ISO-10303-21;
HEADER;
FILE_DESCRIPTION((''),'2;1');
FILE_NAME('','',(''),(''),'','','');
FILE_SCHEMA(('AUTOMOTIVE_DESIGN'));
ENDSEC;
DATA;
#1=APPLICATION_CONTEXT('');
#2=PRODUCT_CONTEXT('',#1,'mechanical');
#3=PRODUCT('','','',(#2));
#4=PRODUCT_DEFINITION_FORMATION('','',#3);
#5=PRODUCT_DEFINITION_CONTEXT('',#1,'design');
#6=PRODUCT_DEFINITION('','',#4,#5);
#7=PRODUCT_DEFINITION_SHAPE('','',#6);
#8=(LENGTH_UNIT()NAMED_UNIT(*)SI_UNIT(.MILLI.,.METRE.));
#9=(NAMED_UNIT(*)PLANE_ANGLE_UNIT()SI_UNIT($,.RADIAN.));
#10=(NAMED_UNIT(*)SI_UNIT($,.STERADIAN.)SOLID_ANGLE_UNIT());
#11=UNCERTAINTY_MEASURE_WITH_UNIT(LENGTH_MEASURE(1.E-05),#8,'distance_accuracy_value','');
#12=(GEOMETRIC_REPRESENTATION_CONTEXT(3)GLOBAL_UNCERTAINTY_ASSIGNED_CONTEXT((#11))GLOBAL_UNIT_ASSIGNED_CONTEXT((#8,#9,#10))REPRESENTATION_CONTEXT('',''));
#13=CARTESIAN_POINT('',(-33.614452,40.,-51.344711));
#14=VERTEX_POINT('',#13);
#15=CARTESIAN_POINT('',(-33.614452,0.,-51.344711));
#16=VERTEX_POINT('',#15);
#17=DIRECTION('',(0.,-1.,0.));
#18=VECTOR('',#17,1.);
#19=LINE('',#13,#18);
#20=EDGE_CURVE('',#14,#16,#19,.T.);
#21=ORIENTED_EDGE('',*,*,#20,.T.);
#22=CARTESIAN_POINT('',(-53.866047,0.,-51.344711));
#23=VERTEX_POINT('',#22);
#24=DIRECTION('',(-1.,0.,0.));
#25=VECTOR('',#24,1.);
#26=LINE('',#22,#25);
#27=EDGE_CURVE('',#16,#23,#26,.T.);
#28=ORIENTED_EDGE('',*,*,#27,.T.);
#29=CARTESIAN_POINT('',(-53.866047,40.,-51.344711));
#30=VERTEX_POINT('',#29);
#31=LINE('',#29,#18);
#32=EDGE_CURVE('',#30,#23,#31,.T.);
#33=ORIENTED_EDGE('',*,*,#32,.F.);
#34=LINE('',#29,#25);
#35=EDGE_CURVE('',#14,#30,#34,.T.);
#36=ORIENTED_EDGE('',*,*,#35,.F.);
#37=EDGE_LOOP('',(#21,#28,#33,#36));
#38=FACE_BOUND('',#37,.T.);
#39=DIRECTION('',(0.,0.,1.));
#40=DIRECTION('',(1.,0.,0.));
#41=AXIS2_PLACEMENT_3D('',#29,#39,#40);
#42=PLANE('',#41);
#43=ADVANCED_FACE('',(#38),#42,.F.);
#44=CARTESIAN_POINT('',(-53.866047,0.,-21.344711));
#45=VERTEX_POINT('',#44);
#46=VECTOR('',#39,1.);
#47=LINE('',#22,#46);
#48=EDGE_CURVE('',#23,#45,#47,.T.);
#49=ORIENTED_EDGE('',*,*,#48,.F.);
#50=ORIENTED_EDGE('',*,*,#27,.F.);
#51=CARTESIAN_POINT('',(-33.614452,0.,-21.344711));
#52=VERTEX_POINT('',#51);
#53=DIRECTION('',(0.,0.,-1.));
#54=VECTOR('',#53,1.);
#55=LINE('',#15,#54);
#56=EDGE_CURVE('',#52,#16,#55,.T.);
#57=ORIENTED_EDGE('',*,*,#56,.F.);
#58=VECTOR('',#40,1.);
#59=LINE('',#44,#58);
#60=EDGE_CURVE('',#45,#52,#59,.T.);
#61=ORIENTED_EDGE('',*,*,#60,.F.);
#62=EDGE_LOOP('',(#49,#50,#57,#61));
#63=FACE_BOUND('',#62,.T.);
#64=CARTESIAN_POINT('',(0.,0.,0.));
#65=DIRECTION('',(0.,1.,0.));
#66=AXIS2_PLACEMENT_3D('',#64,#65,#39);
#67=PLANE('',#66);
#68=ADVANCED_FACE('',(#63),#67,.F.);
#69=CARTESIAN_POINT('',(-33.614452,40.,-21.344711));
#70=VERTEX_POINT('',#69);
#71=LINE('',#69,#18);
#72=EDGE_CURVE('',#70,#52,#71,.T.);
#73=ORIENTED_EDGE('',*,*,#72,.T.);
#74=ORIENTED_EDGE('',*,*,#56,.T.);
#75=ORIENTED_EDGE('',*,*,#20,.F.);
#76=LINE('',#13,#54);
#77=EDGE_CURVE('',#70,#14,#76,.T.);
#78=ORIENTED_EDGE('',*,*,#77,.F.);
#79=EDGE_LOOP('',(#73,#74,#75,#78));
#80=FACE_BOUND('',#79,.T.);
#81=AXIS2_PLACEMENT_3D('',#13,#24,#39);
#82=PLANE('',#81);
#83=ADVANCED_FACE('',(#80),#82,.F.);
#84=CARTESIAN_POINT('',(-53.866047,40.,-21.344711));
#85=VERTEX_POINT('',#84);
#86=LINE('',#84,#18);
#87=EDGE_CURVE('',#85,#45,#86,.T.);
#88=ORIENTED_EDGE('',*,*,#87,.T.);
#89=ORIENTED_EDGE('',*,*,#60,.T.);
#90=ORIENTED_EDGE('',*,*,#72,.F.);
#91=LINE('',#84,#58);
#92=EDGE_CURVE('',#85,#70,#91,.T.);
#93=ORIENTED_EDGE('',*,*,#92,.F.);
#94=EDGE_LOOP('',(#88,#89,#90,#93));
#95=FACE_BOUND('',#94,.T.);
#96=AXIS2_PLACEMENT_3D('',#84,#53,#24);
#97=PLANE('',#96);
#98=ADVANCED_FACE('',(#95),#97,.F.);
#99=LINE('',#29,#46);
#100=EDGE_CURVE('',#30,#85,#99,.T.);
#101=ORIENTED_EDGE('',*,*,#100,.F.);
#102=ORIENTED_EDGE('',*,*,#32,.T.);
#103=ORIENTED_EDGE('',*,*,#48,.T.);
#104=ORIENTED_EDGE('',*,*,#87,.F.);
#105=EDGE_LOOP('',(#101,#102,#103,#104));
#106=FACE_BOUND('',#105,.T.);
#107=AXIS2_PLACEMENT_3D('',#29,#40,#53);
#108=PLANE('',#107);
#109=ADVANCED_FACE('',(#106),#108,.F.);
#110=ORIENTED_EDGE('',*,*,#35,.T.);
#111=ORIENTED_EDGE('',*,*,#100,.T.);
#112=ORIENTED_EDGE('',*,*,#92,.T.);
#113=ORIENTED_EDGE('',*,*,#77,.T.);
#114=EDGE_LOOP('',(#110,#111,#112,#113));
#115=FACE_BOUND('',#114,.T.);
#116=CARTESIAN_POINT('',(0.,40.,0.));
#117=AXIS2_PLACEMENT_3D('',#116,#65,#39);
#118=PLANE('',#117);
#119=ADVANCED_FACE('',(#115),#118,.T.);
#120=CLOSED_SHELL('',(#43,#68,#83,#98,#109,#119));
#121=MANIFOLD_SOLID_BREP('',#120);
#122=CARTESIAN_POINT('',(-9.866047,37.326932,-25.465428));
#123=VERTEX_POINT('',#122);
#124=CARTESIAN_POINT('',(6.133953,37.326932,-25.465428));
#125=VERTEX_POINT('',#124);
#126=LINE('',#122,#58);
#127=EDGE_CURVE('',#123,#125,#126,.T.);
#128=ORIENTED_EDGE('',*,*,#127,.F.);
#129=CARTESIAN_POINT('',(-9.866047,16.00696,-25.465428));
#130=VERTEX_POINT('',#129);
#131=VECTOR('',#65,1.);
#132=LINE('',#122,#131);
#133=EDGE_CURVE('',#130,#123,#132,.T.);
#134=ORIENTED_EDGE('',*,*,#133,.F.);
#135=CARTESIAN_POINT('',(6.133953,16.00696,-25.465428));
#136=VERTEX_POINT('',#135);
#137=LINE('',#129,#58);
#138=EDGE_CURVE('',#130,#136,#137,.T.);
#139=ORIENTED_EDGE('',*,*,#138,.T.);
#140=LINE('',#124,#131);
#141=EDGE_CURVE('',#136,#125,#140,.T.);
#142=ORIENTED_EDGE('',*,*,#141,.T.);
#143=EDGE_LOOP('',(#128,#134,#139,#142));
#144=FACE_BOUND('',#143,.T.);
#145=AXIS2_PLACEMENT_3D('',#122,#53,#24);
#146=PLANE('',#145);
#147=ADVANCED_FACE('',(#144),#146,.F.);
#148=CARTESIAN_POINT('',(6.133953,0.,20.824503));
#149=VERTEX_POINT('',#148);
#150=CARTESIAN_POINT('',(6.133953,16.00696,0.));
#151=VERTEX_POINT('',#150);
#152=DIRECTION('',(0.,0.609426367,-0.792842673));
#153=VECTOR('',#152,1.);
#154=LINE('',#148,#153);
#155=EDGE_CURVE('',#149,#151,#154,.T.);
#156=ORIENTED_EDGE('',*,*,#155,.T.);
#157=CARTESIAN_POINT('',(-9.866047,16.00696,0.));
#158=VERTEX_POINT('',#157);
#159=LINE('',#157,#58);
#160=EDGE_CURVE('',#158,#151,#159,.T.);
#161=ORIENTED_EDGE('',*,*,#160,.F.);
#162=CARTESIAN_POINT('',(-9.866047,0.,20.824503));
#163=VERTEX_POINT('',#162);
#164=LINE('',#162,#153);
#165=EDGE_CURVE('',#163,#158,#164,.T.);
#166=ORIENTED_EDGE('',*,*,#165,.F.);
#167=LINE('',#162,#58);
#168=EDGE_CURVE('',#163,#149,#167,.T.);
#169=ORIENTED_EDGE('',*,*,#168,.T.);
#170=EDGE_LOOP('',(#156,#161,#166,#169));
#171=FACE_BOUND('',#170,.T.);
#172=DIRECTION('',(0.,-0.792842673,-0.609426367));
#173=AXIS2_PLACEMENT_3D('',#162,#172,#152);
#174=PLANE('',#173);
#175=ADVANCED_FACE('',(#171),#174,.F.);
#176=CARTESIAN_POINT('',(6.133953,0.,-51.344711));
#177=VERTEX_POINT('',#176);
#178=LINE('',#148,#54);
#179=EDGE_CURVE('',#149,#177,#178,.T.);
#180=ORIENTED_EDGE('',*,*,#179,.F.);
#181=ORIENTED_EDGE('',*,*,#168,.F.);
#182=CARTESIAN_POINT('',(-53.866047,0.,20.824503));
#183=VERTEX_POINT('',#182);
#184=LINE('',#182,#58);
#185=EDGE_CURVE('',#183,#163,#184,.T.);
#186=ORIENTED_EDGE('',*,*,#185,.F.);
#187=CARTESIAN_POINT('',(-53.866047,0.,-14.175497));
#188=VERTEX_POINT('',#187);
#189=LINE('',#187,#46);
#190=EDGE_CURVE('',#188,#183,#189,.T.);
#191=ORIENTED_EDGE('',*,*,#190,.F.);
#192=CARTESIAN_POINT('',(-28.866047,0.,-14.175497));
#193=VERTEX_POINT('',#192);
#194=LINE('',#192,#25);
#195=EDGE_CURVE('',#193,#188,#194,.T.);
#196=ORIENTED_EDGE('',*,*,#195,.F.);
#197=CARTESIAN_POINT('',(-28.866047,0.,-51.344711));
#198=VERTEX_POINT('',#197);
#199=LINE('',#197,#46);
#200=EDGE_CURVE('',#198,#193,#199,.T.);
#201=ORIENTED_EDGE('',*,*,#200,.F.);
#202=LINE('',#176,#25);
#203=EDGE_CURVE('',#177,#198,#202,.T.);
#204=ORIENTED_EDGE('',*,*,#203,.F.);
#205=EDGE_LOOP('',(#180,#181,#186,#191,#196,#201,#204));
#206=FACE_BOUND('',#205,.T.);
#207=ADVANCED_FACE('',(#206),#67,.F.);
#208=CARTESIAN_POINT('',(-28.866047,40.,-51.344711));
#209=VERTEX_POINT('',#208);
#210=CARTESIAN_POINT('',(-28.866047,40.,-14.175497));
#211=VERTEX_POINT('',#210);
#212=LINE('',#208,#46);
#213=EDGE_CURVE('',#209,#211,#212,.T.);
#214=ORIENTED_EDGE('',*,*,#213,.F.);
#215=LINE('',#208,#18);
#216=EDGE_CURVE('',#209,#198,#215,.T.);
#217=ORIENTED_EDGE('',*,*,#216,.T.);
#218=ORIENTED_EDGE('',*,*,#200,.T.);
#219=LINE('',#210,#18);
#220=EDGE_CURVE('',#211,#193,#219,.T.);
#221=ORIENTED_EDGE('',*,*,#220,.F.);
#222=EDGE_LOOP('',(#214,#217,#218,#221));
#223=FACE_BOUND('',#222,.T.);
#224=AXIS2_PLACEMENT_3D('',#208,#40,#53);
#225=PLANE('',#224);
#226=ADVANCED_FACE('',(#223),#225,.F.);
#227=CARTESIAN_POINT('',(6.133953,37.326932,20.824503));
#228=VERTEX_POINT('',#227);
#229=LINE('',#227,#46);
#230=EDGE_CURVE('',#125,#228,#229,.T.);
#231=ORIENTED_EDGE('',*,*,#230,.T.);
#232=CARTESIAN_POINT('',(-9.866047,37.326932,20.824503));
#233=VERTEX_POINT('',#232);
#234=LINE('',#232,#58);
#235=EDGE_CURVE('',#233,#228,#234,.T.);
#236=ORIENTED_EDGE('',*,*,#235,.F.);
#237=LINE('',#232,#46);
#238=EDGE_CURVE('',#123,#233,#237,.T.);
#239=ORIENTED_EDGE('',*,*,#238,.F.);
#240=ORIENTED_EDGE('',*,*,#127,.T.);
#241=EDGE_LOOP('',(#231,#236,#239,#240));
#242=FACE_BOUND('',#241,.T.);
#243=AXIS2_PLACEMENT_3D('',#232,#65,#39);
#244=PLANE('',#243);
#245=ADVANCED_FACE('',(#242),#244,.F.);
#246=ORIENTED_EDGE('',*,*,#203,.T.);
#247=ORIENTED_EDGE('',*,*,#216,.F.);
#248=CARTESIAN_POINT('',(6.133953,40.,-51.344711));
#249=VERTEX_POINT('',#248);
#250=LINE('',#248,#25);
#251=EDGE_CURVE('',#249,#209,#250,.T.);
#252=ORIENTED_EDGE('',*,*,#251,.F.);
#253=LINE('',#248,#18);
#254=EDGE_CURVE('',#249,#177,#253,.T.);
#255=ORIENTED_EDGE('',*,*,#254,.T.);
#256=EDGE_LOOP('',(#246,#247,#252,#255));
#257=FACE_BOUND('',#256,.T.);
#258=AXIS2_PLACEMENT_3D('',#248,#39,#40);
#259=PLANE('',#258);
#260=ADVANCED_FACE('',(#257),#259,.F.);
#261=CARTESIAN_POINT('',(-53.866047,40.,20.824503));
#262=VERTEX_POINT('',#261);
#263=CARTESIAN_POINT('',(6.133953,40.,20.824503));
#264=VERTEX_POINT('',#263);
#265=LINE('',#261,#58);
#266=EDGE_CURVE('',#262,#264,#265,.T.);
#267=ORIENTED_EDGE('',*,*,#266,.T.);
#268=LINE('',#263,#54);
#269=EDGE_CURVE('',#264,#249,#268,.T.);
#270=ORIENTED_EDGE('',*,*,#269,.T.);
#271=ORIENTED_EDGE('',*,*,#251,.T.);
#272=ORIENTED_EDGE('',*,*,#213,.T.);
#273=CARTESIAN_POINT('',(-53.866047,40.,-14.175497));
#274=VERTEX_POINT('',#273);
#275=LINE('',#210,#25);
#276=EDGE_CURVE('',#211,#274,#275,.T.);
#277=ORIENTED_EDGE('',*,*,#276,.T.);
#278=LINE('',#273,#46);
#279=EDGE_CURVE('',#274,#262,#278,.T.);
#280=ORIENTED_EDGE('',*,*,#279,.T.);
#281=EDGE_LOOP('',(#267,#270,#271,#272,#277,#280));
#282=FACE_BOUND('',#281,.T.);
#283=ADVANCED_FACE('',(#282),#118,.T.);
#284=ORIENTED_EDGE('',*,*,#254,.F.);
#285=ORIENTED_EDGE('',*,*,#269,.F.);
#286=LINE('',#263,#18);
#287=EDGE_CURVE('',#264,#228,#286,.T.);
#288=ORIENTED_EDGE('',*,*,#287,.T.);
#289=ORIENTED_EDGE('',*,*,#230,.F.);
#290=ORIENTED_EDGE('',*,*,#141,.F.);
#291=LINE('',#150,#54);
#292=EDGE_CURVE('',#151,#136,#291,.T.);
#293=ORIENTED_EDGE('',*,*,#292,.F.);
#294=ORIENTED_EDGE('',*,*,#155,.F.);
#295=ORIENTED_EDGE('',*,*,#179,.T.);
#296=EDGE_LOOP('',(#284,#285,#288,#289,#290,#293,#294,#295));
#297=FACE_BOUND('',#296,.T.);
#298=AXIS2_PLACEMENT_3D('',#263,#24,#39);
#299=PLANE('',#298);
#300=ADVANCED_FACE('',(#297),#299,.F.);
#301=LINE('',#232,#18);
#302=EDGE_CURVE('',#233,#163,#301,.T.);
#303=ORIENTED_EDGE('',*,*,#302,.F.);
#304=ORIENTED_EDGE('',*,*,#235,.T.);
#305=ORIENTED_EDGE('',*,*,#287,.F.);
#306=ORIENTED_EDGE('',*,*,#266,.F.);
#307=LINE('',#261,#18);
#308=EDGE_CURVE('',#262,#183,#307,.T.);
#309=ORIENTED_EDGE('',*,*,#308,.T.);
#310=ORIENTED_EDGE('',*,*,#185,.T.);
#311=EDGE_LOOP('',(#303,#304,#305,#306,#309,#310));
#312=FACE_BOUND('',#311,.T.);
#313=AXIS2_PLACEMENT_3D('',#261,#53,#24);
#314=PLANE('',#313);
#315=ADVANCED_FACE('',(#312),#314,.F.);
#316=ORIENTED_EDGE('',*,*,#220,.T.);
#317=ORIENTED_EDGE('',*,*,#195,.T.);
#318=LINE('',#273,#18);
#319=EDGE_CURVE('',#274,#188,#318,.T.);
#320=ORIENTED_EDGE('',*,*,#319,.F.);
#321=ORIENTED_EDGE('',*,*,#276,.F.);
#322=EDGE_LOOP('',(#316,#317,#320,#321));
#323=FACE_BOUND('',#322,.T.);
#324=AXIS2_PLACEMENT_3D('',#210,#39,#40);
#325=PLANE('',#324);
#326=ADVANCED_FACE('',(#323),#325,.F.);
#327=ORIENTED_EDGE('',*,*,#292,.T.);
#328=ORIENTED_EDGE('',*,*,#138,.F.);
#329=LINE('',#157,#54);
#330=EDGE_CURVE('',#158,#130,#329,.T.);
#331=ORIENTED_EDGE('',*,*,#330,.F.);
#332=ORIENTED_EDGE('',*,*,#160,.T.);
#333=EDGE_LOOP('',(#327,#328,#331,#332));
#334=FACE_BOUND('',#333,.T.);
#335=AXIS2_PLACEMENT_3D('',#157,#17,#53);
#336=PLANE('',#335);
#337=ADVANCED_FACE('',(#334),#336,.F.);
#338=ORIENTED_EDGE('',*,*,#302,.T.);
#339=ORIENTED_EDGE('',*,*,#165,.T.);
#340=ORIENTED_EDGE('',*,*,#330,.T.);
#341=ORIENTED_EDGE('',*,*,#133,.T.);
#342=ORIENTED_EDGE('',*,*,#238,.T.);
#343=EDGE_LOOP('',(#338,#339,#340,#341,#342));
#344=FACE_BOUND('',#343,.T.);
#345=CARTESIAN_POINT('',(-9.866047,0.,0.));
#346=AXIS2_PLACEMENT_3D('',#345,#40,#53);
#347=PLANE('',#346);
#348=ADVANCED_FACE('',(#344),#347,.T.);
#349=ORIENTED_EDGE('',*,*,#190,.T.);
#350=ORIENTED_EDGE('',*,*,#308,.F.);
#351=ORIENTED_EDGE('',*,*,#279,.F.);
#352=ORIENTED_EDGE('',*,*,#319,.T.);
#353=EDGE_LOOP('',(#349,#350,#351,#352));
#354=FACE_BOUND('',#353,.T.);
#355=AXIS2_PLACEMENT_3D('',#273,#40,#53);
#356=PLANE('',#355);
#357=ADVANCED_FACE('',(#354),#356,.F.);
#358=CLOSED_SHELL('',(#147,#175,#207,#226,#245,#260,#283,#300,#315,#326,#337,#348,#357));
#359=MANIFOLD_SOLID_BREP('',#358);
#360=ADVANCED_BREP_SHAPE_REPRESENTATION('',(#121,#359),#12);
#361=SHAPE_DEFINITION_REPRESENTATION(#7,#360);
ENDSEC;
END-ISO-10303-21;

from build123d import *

# Parameters (mm, degrees)
EXTRUDE_1_DEPTH     = 40
SKETCH_1_W          = 20.251594387
SKETCH_1_H          = 30
EXTRUDE_1_2_DEPTH   = 40
CUT_EXTRUDE_1_DEPTH = 16


with BuildPart() as part:
    # 草图1 → 凸台-拉伸1 (new body)
    with BuildSketch(Plane(origin=(0, 0, 0), x_dir=(1, 0, 0), z_dir=(0, 1, 0))):
        Polygon((-53.866046678, 14.175497418), (-53.866046678, -20.824502582), (6.133953322, -20.824502582), (6.133953322, 51.344711422), (-28.866046678, 51.344711422), (-28.866046678, 14.175497418), align=None)
    extrude(amount=EXTRUDE_1_DEPTH)

    # 草图2 → 切除-拉伸1 (cut)
    with BuildSketch(Plane(origin=(6.133953322, 0, 0), x_dir=(0, 0, -1), z_dir=(1, 0, 0))):
        Polygon((-20.824502582, 37.326931886), (25.465428213, 37.326931886), (25.465428213, 16.006959993), (0, 16.006959993), (-20.824502582, 0), align=None)
    extrude(amount=-CUT_EXTRUDE_1_DEPTH, mode=Mode.SUBTRACT)


with BuildPart() as body_2:
    # 草图1 → Extrude 1 2 (new body)
    with BuildSketch(Plane(origin=(0, 0, 0), x_dir=(1, 0, 0), z_dir=(0, 1, 0))):
        with Locations((-43.740249484, 36.344711422)):
            Rectangle(SKETCH_1_W, SKETCH_1_H)
    extrude(amount=EXTRUDE_1_2_DEPTH)


solid = Compound([part.part, body_2.part])
